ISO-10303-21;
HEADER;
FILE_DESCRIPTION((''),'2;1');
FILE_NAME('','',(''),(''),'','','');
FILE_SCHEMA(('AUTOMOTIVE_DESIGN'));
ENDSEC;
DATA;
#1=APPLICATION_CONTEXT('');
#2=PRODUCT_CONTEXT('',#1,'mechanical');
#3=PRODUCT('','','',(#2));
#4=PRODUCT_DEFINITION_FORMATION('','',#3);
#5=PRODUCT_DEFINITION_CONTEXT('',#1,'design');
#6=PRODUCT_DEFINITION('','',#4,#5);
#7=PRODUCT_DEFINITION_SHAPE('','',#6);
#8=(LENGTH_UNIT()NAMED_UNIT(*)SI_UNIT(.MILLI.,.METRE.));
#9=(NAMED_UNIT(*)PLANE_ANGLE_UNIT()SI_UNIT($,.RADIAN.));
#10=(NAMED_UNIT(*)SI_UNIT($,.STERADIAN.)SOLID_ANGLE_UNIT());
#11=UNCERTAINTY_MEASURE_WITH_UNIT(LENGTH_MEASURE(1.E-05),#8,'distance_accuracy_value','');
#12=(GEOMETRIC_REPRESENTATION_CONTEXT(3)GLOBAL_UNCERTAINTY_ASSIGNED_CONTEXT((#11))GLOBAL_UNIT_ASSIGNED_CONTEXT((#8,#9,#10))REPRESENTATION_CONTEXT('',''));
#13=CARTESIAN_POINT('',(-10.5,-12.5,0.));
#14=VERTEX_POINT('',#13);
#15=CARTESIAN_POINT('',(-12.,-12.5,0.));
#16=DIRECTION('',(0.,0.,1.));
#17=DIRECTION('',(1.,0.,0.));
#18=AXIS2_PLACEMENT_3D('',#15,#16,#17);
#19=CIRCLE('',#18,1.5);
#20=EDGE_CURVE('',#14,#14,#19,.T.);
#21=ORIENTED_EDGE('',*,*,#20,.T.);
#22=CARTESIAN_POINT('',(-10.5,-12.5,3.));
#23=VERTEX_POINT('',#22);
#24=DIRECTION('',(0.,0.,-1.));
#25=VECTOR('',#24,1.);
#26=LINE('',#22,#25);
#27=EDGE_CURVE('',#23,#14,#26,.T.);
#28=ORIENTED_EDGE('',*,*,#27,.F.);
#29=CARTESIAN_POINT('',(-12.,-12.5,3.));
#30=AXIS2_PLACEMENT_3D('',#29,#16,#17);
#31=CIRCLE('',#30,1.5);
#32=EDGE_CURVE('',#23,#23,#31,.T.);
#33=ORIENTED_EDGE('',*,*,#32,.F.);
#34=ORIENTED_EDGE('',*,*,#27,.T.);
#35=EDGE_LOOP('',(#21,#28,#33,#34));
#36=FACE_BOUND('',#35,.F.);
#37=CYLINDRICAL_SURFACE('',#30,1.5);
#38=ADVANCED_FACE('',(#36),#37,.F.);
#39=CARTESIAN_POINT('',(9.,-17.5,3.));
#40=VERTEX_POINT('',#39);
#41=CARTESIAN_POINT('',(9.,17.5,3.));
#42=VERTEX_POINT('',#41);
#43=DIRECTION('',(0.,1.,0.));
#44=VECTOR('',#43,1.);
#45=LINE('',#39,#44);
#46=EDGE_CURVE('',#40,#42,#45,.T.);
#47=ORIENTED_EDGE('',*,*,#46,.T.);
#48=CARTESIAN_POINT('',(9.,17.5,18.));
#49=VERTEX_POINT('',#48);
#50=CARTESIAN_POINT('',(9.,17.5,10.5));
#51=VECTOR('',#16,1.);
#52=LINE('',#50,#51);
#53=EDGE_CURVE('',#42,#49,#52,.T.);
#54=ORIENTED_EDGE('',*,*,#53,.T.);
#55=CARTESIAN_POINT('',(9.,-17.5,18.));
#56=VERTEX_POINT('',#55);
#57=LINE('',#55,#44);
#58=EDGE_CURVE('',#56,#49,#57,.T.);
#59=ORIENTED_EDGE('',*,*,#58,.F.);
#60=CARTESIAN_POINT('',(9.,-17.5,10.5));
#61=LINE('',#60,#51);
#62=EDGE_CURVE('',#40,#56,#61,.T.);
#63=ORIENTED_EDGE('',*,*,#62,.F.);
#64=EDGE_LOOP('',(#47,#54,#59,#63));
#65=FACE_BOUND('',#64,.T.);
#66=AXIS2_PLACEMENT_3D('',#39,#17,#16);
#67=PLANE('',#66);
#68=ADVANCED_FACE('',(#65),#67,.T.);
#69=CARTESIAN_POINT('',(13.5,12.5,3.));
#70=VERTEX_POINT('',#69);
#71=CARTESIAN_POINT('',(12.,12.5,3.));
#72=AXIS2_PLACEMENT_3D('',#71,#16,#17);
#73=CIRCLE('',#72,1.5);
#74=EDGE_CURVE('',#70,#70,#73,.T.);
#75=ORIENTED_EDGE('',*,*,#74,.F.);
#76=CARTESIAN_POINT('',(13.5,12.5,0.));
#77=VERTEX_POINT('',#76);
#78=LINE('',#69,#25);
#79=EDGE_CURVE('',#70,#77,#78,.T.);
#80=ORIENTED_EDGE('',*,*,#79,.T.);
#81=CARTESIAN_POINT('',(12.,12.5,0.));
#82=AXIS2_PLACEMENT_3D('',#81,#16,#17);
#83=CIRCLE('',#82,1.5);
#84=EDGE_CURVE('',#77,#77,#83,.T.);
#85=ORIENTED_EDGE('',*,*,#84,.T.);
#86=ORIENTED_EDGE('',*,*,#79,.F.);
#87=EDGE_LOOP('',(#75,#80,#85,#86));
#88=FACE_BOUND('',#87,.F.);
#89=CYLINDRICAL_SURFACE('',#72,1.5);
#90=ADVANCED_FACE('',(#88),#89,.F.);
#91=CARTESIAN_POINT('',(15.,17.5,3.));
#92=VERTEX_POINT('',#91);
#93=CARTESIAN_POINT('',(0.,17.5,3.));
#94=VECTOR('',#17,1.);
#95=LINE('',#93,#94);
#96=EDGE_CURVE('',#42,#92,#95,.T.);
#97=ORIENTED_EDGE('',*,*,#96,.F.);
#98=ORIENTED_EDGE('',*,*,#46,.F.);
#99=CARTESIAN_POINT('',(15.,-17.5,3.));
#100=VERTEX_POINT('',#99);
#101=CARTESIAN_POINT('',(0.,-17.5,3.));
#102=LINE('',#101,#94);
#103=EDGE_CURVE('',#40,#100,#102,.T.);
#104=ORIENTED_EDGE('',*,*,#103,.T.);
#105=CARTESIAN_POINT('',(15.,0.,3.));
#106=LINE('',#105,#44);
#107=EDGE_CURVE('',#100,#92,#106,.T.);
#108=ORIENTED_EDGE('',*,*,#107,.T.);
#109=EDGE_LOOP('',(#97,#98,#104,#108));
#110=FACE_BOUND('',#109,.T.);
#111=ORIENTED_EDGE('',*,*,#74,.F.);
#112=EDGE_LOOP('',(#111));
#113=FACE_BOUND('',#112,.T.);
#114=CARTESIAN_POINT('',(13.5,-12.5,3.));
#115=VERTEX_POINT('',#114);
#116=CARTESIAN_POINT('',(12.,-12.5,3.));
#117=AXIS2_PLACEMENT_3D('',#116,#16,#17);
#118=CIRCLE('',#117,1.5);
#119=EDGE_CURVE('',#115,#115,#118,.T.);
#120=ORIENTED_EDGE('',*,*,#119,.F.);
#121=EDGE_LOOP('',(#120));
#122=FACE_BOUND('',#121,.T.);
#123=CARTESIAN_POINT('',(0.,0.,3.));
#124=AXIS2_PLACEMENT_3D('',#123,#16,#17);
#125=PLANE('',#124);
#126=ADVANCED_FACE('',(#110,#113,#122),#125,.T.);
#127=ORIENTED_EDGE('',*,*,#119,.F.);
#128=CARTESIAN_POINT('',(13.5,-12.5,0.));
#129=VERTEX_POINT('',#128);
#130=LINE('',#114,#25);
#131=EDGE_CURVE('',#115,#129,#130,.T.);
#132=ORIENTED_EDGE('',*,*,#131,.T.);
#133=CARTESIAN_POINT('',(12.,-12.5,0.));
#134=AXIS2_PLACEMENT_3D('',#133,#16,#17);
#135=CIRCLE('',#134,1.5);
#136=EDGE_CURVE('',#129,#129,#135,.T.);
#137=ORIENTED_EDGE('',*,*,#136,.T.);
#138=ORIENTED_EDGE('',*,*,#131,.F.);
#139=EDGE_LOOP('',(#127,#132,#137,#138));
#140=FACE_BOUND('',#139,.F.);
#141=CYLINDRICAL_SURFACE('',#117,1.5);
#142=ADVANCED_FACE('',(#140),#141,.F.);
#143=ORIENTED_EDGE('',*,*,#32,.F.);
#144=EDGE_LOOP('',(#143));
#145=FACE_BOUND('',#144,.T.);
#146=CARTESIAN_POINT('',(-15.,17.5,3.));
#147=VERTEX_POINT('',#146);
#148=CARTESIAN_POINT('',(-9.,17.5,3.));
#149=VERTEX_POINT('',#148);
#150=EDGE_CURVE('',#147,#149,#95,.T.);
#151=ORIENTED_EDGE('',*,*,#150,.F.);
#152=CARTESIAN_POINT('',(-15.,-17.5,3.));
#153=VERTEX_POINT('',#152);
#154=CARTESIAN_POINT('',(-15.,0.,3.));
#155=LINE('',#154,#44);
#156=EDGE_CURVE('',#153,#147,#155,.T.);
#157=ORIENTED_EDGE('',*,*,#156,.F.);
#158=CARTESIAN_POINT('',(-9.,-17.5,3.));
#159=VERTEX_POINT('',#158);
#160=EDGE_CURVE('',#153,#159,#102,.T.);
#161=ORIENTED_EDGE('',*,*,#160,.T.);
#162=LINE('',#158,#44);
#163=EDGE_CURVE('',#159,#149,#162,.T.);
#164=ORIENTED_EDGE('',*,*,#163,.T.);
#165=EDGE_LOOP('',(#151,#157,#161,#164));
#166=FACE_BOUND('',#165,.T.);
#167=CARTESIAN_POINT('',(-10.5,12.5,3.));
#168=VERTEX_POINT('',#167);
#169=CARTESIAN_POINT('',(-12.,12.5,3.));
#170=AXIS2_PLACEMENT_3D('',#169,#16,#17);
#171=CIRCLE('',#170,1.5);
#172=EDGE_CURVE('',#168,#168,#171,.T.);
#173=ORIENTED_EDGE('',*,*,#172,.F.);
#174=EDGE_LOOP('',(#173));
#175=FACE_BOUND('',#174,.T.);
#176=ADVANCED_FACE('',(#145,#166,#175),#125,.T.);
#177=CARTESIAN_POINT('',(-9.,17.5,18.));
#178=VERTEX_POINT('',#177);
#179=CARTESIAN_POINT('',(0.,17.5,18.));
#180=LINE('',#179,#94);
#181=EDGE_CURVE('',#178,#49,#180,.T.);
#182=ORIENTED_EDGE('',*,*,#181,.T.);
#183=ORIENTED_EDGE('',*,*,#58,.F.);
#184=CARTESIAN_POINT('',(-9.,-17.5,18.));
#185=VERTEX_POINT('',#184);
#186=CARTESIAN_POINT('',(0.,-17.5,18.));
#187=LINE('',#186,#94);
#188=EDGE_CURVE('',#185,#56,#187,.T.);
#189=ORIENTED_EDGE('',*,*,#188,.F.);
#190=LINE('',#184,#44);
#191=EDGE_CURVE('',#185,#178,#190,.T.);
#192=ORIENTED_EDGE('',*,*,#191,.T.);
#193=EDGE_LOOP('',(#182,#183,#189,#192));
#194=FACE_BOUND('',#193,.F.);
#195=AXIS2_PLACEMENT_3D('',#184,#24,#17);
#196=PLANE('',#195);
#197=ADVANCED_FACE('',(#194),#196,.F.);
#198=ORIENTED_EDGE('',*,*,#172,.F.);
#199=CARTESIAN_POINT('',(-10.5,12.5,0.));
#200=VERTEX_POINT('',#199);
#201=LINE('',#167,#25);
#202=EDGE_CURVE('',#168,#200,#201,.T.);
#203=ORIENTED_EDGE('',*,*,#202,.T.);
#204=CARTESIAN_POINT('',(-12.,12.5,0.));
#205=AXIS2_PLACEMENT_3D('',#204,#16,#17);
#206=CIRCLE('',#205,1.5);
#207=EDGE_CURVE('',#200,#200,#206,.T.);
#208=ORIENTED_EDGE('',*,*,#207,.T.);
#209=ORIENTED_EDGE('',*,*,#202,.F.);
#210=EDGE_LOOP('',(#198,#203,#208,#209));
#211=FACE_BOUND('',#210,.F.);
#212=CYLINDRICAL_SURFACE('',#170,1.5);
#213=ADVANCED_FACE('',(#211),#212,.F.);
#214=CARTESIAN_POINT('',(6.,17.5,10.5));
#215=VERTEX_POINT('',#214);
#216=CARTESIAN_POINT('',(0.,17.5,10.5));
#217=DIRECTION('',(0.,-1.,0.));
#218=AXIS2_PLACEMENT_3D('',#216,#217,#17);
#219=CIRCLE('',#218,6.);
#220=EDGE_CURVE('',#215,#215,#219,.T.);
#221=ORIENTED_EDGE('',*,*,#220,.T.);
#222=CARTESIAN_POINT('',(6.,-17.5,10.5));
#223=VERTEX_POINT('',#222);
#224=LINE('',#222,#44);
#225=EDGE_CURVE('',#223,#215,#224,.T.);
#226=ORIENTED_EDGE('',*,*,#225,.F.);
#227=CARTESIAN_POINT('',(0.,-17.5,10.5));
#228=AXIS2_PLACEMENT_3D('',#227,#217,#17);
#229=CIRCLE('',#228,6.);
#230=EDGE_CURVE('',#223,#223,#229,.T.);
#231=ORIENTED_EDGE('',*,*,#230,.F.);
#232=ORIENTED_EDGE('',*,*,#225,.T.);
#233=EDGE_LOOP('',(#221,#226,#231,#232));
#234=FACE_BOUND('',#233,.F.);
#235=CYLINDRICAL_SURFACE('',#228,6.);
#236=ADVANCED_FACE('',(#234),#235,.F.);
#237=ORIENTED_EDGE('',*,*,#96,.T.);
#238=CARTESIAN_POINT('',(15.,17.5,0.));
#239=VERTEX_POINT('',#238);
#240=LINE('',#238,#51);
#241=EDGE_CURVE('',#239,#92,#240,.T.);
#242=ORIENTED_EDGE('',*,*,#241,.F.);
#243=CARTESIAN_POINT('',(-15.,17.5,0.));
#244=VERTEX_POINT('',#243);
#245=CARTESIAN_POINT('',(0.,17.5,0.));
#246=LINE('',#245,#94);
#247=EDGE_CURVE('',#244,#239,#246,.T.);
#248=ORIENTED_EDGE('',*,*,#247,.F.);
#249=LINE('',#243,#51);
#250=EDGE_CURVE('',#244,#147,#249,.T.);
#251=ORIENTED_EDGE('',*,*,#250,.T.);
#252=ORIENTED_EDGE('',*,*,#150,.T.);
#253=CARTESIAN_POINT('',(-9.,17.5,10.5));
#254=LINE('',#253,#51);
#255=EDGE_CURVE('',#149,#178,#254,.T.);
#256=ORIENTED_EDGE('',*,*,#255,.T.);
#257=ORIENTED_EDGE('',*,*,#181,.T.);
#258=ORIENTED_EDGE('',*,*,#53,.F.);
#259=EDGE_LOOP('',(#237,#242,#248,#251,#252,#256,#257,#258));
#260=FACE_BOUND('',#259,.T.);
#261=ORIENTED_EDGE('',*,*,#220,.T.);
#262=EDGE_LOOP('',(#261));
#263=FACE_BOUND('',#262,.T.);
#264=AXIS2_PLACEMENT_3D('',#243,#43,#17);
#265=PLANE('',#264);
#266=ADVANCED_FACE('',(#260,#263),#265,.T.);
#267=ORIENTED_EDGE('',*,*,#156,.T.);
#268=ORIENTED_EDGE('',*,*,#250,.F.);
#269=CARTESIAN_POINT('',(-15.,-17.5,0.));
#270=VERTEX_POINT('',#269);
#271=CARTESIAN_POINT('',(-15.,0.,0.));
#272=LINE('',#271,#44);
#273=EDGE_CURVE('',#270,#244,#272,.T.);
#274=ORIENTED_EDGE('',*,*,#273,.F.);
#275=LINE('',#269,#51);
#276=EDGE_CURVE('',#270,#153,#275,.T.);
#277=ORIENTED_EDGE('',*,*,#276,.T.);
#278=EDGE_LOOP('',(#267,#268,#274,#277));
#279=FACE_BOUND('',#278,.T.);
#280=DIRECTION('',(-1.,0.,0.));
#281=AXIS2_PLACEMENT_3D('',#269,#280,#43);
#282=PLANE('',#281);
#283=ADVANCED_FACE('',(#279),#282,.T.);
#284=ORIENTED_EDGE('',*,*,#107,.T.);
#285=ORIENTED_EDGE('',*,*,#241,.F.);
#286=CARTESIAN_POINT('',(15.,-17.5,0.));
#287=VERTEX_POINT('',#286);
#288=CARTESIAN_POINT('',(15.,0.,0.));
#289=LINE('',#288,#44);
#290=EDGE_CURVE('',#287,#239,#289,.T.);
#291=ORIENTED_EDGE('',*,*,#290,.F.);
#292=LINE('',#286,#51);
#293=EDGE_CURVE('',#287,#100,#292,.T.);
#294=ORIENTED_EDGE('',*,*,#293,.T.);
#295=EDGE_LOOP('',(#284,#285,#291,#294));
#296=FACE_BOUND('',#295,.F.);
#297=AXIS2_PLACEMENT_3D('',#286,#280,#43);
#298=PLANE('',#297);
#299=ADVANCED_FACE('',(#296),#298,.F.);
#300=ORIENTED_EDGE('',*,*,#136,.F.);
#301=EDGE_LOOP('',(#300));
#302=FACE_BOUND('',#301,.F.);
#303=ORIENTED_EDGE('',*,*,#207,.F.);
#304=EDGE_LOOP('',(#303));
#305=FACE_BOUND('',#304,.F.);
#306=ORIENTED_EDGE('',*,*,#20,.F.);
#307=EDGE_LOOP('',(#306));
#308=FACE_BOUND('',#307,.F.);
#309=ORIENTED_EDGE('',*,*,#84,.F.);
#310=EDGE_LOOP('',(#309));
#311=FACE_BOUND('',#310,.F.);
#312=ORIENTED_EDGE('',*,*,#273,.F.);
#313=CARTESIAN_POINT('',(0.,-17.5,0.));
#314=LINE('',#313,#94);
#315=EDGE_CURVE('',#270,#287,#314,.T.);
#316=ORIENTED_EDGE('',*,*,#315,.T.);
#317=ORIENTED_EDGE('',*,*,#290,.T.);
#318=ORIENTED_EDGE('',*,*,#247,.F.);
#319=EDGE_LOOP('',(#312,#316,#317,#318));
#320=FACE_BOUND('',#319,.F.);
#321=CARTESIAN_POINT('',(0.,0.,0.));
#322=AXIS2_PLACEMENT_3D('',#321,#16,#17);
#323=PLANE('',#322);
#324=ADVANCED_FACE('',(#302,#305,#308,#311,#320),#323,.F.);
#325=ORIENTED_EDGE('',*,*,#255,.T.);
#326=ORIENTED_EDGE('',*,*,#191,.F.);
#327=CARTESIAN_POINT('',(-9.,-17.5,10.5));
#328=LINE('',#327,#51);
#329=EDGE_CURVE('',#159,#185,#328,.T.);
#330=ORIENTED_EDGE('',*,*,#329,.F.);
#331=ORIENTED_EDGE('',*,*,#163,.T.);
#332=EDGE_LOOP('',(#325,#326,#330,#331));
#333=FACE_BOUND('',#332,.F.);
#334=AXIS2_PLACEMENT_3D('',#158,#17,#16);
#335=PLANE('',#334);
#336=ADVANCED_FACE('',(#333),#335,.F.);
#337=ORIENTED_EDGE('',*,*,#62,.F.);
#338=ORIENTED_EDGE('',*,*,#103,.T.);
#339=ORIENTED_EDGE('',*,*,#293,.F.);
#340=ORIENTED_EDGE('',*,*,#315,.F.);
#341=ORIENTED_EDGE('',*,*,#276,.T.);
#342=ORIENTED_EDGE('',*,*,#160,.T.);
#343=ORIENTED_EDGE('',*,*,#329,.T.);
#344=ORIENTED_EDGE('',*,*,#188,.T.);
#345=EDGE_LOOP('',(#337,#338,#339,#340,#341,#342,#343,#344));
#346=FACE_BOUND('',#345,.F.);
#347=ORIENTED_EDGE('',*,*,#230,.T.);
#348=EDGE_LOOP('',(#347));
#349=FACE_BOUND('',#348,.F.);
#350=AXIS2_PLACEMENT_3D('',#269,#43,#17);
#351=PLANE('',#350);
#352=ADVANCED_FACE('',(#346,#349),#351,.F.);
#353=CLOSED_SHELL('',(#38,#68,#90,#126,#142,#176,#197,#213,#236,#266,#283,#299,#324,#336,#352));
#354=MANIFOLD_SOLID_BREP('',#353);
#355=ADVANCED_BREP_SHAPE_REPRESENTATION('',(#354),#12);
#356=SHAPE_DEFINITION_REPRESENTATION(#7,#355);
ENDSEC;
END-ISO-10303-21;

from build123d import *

# Parameters (mm, degrees)
F0_W     = 30
F0_H     = 35
F1_DEPTH = 3
F2_W     = 18
F2_H     = 15
F3_DEPTH = 35
F4_R     = 6
F5_DEPTH = 40
F6_R     = 1.5
F7_DEPTH = 25


with BuildPart() as f1:
    # F0 (on Top) → F1 (new body)
    with BuildSketch(Plane.XY):
        Rectangle(F0_W, F0_H)
    extrude(amount=F1_DEPTH)

    # F2 (on face) → F3 (join)
    with BuildSketch(Plane.XZ.offset(17.5)):
        with Locations((0, 10.5)):
            Rectangle(F2_W, F2_H)
    extrude(amount=-F3_DEPTH)

    # F4 (on face) → F5 (cut)
    with BuildSketch(Plane.XZ.offset(17.5)):
        with Locations((0, 10.5)):
            Circle(F4_R)
    extrude(amount=-F5_DEPTH, mode=Mode.SUBTRACT)

    # F6 (on face) → F7 (cut)
    with BuildSketch(Plane.XY.offset(3)):
        with Locations((12, 12.5)):
            Circle(F6_R)
        with Locations((12, -12.5)):
            Circle(F6_R)
        with Locations((-12, -12.5)):
            Circle(F6_R)
        with Locations((-12, 12.5)):
            Circle(F6_R)
    extrude(amount=-F7_DEPTH, mode=Mode.SUBTRACT)


solid = f1.part
